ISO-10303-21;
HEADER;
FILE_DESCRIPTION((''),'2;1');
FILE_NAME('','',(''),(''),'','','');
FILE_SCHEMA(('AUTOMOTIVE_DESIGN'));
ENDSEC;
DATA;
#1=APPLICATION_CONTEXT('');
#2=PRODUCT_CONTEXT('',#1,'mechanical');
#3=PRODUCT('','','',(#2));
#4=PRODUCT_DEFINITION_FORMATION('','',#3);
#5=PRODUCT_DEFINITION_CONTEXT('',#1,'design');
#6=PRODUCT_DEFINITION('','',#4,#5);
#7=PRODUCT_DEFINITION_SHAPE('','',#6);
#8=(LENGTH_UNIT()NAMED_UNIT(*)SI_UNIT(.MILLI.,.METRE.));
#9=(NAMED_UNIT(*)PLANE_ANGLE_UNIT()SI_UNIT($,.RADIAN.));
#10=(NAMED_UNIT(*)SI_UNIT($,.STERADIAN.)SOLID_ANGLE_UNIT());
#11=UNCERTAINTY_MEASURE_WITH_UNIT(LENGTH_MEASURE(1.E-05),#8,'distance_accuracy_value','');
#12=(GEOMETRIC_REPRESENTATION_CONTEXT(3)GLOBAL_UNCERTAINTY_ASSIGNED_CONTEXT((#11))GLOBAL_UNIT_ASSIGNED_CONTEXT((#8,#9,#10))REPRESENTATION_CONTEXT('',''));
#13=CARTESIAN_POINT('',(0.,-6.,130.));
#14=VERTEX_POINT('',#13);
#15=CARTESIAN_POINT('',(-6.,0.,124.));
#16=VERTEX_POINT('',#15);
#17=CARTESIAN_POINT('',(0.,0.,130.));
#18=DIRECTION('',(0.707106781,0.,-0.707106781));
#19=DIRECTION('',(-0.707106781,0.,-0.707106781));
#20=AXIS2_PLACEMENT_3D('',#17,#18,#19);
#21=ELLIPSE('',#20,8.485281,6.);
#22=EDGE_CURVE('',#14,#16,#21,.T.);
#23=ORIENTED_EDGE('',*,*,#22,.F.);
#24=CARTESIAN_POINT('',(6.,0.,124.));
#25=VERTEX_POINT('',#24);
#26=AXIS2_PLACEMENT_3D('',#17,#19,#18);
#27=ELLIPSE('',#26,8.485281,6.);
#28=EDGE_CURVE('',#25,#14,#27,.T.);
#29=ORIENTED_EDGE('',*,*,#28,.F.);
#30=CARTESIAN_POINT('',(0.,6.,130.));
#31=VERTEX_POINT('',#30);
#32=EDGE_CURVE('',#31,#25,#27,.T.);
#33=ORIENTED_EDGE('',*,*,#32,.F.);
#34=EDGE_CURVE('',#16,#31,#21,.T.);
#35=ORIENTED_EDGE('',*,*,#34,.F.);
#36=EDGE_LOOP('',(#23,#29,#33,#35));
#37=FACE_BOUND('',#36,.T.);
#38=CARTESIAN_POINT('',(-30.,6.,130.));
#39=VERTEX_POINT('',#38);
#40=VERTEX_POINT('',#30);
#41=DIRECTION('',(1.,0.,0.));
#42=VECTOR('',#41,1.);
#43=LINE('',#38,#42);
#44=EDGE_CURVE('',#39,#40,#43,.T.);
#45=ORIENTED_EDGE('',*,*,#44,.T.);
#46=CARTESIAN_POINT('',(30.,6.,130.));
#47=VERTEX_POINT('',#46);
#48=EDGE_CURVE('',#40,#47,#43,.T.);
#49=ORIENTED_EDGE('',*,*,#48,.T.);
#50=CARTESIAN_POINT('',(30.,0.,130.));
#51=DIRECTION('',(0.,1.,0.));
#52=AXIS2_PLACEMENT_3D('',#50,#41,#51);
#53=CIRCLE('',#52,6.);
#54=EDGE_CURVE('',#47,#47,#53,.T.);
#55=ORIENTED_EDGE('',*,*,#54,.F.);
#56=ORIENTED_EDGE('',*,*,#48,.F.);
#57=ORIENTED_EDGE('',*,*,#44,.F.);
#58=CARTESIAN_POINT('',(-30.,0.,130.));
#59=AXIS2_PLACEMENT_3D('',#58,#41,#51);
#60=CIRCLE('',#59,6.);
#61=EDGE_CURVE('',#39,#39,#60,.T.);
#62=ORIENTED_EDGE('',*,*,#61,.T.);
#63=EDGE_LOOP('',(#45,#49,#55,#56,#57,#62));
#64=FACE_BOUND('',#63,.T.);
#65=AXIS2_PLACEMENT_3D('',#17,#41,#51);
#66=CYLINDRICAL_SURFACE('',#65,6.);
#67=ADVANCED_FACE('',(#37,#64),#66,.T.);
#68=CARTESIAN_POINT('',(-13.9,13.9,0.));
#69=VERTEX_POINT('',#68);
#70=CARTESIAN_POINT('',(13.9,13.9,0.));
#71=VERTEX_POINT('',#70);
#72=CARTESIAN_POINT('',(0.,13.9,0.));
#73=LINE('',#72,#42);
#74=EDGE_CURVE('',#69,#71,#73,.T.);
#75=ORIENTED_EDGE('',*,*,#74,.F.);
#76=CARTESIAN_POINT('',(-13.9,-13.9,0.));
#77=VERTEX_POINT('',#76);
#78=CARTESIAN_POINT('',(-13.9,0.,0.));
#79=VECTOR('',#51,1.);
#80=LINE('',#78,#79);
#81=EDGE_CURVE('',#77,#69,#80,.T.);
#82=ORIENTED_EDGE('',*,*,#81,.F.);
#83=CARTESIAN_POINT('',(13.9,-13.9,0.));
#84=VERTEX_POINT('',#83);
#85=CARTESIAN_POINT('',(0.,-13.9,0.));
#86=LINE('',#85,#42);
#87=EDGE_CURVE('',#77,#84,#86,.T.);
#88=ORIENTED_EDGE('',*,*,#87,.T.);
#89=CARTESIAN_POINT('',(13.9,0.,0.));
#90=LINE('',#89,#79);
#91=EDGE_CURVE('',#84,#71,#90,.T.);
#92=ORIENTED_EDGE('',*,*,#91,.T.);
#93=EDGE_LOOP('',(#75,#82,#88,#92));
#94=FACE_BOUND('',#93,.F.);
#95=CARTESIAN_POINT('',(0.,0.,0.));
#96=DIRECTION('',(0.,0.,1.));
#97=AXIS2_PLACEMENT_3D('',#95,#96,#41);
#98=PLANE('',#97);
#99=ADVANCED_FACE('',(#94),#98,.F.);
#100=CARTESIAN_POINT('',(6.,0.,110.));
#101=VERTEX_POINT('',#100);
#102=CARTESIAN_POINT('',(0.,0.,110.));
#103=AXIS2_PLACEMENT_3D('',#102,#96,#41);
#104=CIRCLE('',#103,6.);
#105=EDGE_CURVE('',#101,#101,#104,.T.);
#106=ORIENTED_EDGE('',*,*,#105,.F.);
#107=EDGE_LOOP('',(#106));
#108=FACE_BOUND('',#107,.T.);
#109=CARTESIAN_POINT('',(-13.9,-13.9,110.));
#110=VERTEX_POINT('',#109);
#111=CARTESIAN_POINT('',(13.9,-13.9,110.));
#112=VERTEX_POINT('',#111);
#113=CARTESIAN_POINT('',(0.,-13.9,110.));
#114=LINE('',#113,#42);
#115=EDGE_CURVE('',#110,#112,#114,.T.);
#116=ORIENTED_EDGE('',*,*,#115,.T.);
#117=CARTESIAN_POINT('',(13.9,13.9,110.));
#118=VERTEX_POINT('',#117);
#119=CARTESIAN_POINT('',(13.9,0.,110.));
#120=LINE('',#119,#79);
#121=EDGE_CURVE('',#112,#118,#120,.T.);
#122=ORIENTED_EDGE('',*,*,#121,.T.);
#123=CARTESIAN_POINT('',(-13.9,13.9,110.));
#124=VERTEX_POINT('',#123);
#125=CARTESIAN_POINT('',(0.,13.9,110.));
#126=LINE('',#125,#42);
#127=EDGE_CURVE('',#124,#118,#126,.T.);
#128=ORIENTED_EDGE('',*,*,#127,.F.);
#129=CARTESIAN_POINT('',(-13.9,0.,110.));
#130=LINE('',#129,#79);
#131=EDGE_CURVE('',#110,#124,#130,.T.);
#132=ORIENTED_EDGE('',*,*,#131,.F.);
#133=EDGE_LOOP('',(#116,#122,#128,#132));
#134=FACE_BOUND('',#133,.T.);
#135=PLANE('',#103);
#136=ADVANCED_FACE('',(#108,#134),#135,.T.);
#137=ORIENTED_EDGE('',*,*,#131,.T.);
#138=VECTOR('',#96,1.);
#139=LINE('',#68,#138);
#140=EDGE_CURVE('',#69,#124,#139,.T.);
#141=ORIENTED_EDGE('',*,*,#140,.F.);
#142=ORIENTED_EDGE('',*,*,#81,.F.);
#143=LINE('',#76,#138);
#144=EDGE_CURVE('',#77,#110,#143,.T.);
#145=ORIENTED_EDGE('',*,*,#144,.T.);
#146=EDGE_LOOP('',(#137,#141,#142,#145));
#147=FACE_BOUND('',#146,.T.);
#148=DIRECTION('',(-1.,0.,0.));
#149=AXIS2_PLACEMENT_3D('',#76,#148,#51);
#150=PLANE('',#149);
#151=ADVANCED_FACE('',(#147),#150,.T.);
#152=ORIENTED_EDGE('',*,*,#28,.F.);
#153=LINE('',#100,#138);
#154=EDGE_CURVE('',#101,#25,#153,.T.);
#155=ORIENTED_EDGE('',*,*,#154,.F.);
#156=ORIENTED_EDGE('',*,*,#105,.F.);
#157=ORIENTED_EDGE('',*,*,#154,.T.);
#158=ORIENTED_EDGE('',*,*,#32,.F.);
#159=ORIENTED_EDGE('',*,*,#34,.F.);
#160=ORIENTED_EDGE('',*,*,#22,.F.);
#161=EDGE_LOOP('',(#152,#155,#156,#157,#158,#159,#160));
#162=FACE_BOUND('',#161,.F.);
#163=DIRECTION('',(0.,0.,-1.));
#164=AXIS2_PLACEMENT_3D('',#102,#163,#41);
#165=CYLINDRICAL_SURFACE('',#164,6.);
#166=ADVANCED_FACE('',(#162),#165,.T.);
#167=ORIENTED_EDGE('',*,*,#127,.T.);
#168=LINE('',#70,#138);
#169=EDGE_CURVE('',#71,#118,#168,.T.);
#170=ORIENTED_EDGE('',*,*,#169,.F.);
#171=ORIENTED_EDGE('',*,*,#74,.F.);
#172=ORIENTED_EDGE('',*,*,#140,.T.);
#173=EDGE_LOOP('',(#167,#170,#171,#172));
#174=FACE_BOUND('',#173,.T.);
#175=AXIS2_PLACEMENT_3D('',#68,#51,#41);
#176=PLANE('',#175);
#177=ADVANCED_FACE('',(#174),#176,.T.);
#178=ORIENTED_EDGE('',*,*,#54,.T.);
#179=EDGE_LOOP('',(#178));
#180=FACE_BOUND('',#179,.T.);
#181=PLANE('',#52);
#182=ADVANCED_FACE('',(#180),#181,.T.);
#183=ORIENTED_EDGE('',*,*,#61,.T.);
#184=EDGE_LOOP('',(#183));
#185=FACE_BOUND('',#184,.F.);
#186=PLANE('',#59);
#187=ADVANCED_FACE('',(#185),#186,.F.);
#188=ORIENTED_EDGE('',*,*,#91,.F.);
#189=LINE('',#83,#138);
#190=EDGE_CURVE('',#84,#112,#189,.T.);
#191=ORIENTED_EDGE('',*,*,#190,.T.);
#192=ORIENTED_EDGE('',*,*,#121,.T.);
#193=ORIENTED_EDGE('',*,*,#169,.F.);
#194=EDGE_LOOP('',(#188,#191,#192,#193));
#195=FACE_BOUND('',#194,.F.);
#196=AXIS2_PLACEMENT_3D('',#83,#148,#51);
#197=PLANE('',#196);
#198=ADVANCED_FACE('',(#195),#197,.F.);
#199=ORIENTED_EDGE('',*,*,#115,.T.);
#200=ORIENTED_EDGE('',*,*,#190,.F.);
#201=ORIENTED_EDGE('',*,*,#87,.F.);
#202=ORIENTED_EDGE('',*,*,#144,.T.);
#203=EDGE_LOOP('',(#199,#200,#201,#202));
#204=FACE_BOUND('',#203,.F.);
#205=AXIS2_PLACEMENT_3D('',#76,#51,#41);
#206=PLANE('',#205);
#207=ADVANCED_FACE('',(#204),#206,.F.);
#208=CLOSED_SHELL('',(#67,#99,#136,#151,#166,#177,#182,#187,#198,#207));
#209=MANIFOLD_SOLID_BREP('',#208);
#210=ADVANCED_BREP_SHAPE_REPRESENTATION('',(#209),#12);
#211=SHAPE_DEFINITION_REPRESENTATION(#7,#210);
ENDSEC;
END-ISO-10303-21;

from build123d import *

# Parameters (mm, degrees)
F0_W     = 27.8
F0_H     = 27.8
F1_DEPTH = 110
F2_R     = 6
F3_DEPTH = 20
F4_R     = 6
F5_DEPTH = 30


with BuildPart() as f1:
    # F0 (on Top) → F1 (new body)
    with BuildSketch(Plane.XY):
        Rectangle(F0_W, F0_H)
    extrude(amount=F1_DEPTH)

    # F2 (on face) → F3 (join)
    with BuildSketch(Plane.XY.offset(110)):
        Circle(F2_R)
    extrude(amount=F3_DEPTH)

    # F4 (on Right) → F5 (join, symmetric)
    with BuildSketch(Plane.YZ):
        with Locations((0, 130)):
            Circle(F4_R)
    extrude(amount=F5_DEPTH, both=True)


solid = f1.part
